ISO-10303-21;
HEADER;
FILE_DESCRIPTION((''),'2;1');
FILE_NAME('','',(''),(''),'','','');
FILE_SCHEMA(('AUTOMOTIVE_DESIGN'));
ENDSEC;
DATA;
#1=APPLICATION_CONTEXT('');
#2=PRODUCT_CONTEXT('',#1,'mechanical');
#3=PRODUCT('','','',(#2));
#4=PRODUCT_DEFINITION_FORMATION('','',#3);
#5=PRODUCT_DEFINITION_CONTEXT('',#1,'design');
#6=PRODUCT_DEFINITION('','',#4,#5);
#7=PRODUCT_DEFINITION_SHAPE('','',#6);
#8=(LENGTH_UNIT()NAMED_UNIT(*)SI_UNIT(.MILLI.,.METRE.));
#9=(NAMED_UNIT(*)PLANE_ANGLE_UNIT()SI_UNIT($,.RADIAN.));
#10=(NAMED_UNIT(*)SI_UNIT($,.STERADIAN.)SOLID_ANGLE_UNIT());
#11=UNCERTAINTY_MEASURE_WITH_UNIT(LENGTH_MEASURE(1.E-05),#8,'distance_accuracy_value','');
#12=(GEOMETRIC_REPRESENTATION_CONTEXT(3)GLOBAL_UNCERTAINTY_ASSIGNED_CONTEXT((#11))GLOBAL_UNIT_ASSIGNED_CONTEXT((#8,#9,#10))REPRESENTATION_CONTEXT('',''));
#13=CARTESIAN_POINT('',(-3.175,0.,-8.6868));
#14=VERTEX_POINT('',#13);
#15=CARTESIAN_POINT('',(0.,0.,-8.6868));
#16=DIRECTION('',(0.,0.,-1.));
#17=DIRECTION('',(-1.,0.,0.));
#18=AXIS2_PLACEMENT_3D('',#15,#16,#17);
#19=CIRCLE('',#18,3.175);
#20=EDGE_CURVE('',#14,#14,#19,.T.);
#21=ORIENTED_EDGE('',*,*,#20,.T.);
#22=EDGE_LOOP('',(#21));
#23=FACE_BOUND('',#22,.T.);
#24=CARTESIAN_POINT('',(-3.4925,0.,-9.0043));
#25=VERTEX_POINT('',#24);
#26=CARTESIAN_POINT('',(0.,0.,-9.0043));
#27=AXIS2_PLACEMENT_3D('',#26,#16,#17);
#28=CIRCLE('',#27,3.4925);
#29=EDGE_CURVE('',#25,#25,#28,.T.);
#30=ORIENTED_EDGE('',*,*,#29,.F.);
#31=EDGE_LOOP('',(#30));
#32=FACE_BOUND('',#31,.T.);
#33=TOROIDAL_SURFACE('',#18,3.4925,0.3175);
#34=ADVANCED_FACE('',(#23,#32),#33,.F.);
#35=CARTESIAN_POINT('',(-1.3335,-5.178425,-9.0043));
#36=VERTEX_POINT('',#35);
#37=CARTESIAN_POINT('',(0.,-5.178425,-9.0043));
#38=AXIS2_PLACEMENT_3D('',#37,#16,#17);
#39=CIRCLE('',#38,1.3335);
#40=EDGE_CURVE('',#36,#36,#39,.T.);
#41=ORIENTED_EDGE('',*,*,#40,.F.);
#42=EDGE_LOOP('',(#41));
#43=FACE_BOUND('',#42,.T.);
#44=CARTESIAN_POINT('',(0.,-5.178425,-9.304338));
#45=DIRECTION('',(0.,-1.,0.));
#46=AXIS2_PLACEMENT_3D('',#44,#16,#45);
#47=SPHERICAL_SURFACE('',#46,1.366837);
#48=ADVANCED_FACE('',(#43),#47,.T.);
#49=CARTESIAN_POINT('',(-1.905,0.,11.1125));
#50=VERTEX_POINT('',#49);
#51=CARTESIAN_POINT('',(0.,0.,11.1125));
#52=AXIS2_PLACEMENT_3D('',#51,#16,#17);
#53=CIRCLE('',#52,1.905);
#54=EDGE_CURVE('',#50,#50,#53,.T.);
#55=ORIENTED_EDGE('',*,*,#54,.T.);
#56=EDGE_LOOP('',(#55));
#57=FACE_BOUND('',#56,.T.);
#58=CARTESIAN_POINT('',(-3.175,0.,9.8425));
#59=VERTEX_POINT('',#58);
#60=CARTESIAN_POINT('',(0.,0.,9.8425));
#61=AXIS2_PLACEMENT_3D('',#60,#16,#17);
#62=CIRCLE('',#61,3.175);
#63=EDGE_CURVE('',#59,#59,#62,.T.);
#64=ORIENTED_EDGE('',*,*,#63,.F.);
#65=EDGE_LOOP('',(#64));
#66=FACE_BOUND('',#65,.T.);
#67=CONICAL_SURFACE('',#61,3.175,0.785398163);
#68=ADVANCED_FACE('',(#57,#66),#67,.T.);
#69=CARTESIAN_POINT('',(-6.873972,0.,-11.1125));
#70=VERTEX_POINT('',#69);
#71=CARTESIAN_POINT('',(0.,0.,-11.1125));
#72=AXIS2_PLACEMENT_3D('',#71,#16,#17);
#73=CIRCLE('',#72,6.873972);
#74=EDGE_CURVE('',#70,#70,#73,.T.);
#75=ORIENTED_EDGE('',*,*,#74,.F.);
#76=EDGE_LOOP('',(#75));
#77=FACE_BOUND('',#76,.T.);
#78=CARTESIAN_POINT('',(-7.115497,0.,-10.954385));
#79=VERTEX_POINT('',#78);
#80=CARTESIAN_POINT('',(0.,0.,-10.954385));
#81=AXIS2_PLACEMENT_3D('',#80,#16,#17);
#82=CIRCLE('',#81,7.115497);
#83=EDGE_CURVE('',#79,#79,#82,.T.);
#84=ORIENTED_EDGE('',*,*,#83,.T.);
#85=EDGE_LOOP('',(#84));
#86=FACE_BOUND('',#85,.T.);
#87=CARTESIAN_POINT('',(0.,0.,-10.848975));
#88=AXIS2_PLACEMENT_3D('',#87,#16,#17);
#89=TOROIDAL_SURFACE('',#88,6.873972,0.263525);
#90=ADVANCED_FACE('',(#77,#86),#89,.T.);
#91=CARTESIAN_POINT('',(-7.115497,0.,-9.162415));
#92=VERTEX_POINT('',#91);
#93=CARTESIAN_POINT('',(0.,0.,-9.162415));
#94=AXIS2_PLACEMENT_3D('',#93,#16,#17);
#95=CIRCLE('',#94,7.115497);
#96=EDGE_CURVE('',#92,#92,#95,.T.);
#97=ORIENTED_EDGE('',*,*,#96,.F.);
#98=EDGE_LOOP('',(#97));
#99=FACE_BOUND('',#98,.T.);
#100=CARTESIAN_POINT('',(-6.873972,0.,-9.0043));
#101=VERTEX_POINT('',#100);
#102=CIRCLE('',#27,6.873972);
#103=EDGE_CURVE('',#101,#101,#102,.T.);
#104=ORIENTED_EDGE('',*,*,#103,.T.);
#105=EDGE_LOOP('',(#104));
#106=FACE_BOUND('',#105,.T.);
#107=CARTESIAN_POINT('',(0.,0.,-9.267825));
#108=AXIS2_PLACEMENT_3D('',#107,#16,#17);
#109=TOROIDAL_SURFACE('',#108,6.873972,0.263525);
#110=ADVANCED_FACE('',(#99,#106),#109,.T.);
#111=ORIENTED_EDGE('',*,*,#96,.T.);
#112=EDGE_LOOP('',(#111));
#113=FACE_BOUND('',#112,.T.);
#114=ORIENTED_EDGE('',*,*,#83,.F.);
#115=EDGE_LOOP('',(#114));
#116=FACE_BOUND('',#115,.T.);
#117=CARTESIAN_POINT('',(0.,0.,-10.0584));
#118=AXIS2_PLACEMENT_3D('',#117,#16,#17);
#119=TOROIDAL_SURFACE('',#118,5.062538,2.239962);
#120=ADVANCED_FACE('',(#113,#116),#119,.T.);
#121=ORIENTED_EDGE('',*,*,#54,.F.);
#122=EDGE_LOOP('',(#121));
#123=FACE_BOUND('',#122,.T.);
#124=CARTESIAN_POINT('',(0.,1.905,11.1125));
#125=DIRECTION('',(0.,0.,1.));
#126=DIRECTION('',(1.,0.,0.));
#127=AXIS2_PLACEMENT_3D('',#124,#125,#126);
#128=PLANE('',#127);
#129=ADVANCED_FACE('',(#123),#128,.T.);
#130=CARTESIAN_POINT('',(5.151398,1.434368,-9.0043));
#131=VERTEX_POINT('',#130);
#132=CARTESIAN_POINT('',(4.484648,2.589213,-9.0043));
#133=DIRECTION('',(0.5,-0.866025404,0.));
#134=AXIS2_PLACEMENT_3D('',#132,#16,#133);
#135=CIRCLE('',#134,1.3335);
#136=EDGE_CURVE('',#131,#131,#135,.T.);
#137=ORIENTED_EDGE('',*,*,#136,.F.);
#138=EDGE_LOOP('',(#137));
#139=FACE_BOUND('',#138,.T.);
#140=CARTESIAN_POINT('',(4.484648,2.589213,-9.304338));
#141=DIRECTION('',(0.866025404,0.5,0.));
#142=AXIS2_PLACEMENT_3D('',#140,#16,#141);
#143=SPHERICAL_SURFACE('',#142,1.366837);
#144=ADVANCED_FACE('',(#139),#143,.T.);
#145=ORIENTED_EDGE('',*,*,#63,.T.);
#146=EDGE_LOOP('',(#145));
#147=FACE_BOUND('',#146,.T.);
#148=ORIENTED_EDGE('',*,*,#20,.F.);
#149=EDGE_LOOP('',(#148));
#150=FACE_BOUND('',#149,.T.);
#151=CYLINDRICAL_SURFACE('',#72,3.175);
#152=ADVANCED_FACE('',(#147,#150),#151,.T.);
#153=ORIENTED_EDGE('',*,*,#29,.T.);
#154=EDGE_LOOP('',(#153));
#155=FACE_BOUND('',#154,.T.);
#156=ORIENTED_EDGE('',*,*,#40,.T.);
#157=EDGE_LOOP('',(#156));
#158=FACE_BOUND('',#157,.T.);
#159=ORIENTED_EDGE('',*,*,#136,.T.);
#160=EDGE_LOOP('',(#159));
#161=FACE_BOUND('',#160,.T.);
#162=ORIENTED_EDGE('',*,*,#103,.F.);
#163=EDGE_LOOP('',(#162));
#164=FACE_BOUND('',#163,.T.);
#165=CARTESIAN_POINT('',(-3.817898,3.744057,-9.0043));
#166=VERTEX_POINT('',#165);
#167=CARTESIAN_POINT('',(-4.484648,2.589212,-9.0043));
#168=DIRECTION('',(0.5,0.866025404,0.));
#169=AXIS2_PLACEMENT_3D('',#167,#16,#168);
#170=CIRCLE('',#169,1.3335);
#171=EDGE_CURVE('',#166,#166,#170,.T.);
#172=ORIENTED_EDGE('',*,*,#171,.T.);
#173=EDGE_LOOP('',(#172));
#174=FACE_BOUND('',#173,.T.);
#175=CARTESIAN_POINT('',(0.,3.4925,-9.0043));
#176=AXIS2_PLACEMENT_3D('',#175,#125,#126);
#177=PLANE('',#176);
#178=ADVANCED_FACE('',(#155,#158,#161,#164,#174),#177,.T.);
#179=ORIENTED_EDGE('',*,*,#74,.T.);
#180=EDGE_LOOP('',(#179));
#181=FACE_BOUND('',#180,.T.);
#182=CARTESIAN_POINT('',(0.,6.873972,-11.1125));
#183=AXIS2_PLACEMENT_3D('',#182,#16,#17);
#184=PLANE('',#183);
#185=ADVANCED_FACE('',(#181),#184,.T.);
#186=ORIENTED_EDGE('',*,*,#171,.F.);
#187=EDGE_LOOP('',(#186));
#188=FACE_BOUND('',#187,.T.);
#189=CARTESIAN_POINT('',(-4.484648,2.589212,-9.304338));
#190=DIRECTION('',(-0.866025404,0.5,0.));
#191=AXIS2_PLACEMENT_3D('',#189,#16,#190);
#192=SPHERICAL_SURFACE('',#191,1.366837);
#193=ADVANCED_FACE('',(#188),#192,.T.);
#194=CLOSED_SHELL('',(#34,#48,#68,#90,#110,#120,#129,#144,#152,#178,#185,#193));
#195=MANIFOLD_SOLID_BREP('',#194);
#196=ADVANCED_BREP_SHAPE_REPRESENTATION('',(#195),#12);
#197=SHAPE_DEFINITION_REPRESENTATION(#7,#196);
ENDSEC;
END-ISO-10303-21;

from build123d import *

# Parameters (mm, degrees)
CIRPATTERN1_COUNT = 3


with BuildPart() as part:
    # Sketch2 → Revolve1 (revolve)
    with BuildSketch(Plane(origin=(0, 0, 0), x_dir=(0, 0, -1), z_dir=(1, 0, 0))):
        with BuildLine():
            Line((9.0043, 3.4925), (9.0043, 6.87397239))
            ThreePointArc((9.0043, 6.87397239), (9.047344167, 7.018310977), (9.162415, 7.115497042))
            ThreePointArc((9.162415, 7.115497042), (10.0584, 7.3025), (10.954385, 7.115497042))
            ThreePointArc((10.954385, 7.115497042), (11.069455833, 7.018310977), (11.1125, 6.87397239))
            Line((11.1125, 6.87397239), (11.1125, 0))
            Line((11.1125, 0), (-11.1125, 0))
            Line((-11.1125, 0), (-11.1125, 1.905))
            Line((-11.1125, 1.905), (-9.8425, 3.175))
            Line((-9.8425, 3.175), (8.6868, 3.175))
            ThreePointArc((8.6868, 3.175), (8.911306403, 3.267993597), (9.0043, 3.4925))
        make_face()
    revolve(axis=Axis((0, 0, -11.1125), (0, 0, 1)))

    # Sketch4 → Revolve2 (revolve)
    with BuildSketch(Plane(origin=(0, 0, 0), x_dir=(0, 0, -1), z_dir=(1, 0, 0))):
        with BuildLine():
            Line((9.0043, -6.511925), (9.0043, -5.178425))
            Line((9.0043, -5.178425), (7.9375, -5.178425))
            ThreePointArc((7.9375, -5.178425), (8.237016729, -6.032281617), (9.0043, -6.511925))
        make_face()
    revolve2 = revolve(axis=Axis((0, -5.178425, -9.0043), (0, 0, 1)))

    # CirPattern1: Revolve2 ×3 about axis
    cirpattern1_axis = Axis((0, 0, -11.1125), (0, 0, 1))
    for i in range(1, CIRPATTERN1_COUNT):
        add(revolve2.rotate(cirpattern1_axis, i * 360 / CIRPATTERN1_COUNT))


solid = part.part
